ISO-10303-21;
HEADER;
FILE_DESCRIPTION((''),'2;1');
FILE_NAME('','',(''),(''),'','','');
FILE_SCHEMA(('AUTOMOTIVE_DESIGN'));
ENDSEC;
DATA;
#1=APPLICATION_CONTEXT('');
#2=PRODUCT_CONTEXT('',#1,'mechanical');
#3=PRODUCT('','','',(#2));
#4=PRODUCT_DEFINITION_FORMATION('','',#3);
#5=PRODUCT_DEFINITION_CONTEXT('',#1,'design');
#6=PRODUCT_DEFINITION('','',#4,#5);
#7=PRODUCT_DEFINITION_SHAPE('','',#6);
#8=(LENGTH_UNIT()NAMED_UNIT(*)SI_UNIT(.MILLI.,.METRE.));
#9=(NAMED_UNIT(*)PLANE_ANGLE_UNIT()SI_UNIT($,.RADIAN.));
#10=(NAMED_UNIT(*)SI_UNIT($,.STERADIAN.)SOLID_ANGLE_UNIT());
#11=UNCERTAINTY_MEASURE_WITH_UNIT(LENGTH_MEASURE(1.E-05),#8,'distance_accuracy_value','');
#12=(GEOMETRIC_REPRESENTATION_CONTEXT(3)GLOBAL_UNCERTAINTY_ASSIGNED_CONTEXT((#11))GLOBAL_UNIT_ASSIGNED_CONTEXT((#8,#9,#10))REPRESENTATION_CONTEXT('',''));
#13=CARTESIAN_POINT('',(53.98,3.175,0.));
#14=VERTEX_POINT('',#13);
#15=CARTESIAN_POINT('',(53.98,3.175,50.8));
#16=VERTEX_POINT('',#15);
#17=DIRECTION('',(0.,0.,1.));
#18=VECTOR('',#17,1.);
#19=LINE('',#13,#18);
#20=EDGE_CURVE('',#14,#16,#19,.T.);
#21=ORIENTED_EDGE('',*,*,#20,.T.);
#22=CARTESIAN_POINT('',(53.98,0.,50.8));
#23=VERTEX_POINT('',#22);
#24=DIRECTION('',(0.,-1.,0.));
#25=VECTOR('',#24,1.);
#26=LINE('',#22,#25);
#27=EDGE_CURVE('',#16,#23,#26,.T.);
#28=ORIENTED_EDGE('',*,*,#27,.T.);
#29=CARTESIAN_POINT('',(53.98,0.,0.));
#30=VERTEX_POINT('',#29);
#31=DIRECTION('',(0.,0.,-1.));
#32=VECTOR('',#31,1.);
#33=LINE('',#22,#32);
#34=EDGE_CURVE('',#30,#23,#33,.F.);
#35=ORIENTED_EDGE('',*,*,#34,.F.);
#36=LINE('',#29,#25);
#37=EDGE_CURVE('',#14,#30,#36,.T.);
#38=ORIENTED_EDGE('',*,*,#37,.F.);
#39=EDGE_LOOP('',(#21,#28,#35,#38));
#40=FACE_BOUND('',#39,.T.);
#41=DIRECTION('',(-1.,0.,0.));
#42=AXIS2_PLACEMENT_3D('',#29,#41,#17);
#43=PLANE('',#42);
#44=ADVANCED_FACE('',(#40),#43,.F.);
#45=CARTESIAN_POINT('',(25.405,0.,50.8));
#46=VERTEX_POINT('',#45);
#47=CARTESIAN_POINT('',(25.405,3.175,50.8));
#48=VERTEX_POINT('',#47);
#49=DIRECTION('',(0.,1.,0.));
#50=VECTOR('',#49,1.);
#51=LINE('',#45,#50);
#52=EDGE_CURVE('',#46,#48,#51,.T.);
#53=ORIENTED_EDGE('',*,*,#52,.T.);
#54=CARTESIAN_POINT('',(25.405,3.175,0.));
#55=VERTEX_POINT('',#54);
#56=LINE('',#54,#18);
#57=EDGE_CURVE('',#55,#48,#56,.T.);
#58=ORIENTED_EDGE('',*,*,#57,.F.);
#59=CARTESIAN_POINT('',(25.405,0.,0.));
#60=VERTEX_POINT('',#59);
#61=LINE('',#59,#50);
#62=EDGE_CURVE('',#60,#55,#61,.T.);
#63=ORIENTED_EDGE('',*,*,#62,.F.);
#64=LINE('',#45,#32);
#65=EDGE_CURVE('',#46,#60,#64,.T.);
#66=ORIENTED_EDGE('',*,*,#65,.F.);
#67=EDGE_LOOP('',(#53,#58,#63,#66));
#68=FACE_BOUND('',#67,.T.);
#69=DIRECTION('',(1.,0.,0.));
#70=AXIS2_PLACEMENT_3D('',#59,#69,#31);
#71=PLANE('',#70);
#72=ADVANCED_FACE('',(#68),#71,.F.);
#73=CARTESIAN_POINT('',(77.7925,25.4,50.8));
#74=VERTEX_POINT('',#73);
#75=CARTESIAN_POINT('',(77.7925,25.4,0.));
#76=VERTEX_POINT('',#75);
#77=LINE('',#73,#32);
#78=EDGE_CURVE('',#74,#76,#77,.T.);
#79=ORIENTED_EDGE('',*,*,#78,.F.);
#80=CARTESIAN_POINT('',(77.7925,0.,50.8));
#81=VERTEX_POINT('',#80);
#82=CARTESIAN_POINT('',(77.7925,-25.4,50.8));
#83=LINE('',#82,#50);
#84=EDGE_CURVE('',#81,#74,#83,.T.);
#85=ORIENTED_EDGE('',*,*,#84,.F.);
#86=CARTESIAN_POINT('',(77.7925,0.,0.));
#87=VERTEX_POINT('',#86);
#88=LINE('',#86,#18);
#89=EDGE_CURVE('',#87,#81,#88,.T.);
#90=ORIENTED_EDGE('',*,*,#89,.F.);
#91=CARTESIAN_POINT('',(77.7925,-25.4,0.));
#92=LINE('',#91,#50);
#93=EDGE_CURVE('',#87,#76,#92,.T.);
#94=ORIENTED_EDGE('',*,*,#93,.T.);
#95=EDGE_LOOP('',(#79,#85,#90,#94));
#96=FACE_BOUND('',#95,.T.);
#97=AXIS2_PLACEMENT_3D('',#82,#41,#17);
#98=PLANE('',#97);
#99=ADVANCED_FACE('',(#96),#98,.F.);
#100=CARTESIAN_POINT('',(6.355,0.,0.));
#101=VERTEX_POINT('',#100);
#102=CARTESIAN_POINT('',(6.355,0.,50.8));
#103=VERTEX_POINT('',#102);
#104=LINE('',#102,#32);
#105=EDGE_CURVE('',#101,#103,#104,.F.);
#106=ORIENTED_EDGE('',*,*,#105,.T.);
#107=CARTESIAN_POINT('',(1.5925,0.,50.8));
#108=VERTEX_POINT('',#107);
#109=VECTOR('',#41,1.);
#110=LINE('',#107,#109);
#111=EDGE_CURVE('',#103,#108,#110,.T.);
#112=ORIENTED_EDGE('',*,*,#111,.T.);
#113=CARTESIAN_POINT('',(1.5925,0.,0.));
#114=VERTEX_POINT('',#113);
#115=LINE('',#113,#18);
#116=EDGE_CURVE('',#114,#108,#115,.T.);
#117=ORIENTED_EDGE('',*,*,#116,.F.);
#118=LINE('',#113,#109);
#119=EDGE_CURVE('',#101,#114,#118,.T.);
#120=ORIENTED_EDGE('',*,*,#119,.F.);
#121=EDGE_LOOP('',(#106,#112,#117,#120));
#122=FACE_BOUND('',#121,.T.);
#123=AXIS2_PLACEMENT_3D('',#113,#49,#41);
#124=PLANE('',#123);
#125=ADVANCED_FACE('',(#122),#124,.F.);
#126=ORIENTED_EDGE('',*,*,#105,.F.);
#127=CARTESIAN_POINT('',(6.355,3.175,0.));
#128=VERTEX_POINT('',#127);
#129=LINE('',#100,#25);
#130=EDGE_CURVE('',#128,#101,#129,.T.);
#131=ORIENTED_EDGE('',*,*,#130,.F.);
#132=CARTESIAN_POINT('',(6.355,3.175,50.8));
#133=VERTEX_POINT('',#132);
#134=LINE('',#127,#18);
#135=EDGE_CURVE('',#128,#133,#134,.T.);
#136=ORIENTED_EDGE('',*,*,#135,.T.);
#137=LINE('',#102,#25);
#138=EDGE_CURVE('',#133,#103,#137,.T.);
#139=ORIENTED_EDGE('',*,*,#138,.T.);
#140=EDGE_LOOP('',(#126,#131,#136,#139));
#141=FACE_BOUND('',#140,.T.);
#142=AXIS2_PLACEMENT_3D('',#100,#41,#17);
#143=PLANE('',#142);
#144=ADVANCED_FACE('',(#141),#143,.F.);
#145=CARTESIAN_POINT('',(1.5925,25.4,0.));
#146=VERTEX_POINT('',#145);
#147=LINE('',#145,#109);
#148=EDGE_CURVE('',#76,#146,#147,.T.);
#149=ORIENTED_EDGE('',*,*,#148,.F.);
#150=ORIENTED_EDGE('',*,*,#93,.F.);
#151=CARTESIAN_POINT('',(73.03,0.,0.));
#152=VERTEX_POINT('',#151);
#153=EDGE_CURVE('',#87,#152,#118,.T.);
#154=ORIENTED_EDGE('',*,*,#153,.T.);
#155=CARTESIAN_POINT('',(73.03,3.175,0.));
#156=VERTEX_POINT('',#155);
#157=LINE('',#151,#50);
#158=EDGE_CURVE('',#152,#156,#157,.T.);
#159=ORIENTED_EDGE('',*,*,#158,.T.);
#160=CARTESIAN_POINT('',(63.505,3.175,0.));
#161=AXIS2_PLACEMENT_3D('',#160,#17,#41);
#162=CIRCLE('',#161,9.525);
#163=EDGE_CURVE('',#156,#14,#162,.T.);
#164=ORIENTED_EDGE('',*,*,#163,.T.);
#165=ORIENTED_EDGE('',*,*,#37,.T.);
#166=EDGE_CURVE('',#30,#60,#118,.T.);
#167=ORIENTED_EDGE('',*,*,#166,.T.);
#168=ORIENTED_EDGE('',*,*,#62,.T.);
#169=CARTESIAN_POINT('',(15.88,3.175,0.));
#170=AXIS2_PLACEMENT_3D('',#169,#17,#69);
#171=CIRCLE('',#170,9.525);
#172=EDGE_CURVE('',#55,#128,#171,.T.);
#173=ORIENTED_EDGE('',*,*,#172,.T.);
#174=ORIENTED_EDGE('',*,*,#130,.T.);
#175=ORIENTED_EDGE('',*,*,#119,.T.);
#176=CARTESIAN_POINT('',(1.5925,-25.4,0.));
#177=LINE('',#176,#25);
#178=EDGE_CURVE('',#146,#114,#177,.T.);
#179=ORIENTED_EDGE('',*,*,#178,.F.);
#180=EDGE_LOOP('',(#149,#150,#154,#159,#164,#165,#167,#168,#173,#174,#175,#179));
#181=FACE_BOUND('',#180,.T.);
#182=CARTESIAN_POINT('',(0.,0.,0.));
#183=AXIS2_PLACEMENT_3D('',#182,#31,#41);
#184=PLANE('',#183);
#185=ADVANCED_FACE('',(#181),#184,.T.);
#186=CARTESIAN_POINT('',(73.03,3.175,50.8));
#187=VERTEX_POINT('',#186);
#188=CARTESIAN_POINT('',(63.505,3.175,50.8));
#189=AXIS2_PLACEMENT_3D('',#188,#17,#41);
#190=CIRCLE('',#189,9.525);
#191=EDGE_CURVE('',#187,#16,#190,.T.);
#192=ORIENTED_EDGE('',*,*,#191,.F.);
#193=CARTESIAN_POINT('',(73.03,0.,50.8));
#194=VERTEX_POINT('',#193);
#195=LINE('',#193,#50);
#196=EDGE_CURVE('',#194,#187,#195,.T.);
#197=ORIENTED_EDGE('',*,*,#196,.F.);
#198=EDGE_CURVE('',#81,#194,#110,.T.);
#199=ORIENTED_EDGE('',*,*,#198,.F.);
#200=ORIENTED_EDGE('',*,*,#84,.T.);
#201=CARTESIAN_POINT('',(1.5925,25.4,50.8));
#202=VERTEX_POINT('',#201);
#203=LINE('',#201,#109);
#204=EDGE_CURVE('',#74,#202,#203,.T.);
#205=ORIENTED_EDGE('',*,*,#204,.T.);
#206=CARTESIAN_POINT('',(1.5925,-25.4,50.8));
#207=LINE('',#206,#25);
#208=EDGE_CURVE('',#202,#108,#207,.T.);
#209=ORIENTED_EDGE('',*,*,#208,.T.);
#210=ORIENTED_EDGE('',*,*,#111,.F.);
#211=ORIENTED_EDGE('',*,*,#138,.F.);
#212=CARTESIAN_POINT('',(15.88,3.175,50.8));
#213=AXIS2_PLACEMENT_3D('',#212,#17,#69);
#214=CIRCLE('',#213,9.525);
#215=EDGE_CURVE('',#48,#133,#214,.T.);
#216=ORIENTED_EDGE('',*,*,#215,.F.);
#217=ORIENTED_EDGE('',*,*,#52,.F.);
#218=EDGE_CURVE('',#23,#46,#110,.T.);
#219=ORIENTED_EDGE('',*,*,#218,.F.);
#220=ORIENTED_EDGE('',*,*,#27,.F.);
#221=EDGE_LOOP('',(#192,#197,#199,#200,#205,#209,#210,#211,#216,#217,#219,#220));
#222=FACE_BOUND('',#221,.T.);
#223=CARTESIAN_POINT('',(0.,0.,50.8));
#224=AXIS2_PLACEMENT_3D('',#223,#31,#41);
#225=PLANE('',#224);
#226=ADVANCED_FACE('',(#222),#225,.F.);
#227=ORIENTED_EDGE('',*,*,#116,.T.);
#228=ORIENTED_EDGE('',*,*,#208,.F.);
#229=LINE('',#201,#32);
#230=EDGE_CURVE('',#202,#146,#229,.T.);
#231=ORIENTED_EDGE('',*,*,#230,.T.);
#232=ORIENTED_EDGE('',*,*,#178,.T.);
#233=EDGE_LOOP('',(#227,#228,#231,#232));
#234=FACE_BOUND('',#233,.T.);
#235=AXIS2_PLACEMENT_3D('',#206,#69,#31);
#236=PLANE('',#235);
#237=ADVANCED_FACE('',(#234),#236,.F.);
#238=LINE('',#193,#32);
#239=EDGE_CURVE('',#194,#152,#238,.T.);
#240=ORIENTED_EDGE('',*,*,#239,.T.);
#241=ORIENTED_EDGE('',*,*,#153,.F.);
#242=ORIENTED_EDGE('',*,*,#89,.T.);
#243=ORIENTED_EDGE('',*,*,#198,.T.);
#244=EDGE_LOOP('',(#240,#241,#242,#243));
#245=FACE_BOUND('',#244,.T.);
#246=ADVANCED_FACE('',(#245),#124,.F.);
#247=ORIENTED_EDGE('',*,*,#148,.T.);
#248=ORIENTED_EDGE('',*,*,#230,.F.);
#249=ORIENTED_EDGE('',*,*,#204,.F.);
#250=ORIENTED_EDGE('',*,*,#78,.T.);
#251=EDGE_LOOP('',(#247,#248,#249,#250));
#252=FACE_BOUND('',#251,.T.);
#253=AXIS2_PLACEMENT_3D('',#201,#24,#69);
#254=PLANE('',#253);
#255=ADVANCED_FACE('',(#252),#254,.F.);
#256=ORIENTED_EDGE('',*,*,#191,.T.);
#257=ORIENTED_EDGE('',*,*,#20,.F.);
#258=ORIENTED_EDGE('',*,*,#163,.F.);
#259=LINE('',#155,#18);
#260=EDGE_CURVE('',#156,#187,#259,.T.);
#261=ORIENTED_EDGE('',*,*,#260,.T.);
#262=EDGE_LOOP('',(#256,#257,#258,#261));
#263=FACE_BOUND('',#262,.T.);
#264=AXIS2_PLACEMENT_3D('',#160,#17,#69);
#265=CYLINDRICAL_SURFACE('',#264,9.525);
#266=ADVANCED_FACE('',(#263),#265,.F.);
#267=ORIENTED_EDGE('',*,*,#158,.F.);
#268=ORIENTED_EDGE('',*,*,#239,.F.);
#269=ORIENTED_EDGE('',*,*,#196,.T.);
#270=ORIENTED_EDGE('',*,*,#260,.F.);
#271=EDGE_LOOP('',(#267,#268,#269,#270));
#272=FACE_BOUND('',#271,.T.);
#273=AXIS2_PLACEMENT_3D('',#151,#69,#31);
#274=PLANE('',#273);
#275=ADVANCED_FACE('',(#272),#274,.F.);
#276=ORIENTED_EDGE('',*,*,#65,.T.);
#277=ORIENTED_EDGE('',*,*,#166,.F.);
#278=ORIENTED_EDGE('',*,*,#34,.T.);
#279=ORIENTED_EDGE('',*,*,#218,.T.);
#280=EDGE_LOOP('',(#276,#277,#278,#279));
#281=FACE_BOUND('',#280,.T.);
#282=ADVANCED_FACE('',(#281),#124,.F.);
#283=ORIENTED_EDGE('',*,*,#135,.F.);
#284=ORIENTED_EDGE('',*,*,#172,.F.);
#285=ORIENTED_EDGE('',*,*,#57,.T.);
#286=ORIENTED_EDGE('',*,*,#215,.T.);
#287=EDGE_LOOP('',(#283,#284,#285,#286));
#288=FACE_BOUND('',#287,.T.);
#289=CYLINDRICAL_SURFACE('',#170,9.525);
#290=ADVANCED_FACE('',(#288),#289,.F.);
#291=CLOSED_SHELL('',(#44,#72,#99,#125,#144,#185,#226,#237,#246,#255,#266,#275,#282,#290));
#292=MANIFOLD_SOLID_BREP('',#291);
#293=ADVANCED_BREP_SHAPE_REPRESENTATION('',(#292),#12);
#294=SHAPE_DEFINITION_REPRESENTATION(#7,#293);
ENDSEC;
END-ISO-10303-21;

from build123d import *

# Parameters (mm, degrees)
CROQUIS2_W              = 76.2
CROQUIS2_H              = 50.8
CROQUIS2_R              = 9.525
SALIENTE_EXTRUIR1_DEPTH = 50.8
CROQUIS3_W              = 76.2
CROQUIS3_H              = 25.4
CORTAR_EXTRUIR1_DEPTH   = 50.8
CORTAR_EXTRUIR2_DEPTH   = 50.8


with BuildPart() as part:
    # Croquis2 → Saliente-Extruir1 (new body)
    with BuildSketch(Plane.XY):
        with Locations((39.6925, 0)):
            Rectangle(CROQUIS2_W, CROQUIS2_H)
        with Locations((15.88, 0)):
            Circle(CROQUIS2_R, mode=Mode.SUBTRACT)
        with Locations((63.505, 0)):
            Circle(CROQUIS2_R, mode=Mode.SUBTRACT)
    extrude(amount=SALIENTE_EXTRUIR1_DEPTH)

    # Croquis3 → Cortar-Extruir1 (cut)
    with BuildSketch(Plane.XY.offset(50.8)):
        with Locations((39.6925, -12.7)):
            Rectangle(CROQUIS3_W, CROQUIS3_H)
    extrude(amount=-CORTAR_EXTRUIR1_DEPTH, mode=Mode.SUBTRACT)

    # Croquis4 → Cortar-Extruir2 (cut)
    with BuildSketch(Plane.XY.offset(50.8)):
        with BuildLine():
            Line((6.355, 0), (6.355, 3.175))
            ThreePointArc((6.355, 3.175), (15.88, 12.7), (25.405, 3.175))
            Line((25.405, 3.175), (25.405, 0))
            Line((25.405, 0), (6.355, 0))
        make_face()
        with BuildLine():
            Line((73.03, 0), (53.98, 0))
            Line((53.98, 0), (53.98, 3.175))
            ThreePointArc((53.98, 3.175), (63.505, 12.7), (73.03, 3.175))
            Line((73.03, 3.175), (73.03, 0))
        make_face()
    extrude(amount=-CORTAR_EXTRUIR2_DEPTH, mode=Mode.SUBTRACT)


solid = part.part
